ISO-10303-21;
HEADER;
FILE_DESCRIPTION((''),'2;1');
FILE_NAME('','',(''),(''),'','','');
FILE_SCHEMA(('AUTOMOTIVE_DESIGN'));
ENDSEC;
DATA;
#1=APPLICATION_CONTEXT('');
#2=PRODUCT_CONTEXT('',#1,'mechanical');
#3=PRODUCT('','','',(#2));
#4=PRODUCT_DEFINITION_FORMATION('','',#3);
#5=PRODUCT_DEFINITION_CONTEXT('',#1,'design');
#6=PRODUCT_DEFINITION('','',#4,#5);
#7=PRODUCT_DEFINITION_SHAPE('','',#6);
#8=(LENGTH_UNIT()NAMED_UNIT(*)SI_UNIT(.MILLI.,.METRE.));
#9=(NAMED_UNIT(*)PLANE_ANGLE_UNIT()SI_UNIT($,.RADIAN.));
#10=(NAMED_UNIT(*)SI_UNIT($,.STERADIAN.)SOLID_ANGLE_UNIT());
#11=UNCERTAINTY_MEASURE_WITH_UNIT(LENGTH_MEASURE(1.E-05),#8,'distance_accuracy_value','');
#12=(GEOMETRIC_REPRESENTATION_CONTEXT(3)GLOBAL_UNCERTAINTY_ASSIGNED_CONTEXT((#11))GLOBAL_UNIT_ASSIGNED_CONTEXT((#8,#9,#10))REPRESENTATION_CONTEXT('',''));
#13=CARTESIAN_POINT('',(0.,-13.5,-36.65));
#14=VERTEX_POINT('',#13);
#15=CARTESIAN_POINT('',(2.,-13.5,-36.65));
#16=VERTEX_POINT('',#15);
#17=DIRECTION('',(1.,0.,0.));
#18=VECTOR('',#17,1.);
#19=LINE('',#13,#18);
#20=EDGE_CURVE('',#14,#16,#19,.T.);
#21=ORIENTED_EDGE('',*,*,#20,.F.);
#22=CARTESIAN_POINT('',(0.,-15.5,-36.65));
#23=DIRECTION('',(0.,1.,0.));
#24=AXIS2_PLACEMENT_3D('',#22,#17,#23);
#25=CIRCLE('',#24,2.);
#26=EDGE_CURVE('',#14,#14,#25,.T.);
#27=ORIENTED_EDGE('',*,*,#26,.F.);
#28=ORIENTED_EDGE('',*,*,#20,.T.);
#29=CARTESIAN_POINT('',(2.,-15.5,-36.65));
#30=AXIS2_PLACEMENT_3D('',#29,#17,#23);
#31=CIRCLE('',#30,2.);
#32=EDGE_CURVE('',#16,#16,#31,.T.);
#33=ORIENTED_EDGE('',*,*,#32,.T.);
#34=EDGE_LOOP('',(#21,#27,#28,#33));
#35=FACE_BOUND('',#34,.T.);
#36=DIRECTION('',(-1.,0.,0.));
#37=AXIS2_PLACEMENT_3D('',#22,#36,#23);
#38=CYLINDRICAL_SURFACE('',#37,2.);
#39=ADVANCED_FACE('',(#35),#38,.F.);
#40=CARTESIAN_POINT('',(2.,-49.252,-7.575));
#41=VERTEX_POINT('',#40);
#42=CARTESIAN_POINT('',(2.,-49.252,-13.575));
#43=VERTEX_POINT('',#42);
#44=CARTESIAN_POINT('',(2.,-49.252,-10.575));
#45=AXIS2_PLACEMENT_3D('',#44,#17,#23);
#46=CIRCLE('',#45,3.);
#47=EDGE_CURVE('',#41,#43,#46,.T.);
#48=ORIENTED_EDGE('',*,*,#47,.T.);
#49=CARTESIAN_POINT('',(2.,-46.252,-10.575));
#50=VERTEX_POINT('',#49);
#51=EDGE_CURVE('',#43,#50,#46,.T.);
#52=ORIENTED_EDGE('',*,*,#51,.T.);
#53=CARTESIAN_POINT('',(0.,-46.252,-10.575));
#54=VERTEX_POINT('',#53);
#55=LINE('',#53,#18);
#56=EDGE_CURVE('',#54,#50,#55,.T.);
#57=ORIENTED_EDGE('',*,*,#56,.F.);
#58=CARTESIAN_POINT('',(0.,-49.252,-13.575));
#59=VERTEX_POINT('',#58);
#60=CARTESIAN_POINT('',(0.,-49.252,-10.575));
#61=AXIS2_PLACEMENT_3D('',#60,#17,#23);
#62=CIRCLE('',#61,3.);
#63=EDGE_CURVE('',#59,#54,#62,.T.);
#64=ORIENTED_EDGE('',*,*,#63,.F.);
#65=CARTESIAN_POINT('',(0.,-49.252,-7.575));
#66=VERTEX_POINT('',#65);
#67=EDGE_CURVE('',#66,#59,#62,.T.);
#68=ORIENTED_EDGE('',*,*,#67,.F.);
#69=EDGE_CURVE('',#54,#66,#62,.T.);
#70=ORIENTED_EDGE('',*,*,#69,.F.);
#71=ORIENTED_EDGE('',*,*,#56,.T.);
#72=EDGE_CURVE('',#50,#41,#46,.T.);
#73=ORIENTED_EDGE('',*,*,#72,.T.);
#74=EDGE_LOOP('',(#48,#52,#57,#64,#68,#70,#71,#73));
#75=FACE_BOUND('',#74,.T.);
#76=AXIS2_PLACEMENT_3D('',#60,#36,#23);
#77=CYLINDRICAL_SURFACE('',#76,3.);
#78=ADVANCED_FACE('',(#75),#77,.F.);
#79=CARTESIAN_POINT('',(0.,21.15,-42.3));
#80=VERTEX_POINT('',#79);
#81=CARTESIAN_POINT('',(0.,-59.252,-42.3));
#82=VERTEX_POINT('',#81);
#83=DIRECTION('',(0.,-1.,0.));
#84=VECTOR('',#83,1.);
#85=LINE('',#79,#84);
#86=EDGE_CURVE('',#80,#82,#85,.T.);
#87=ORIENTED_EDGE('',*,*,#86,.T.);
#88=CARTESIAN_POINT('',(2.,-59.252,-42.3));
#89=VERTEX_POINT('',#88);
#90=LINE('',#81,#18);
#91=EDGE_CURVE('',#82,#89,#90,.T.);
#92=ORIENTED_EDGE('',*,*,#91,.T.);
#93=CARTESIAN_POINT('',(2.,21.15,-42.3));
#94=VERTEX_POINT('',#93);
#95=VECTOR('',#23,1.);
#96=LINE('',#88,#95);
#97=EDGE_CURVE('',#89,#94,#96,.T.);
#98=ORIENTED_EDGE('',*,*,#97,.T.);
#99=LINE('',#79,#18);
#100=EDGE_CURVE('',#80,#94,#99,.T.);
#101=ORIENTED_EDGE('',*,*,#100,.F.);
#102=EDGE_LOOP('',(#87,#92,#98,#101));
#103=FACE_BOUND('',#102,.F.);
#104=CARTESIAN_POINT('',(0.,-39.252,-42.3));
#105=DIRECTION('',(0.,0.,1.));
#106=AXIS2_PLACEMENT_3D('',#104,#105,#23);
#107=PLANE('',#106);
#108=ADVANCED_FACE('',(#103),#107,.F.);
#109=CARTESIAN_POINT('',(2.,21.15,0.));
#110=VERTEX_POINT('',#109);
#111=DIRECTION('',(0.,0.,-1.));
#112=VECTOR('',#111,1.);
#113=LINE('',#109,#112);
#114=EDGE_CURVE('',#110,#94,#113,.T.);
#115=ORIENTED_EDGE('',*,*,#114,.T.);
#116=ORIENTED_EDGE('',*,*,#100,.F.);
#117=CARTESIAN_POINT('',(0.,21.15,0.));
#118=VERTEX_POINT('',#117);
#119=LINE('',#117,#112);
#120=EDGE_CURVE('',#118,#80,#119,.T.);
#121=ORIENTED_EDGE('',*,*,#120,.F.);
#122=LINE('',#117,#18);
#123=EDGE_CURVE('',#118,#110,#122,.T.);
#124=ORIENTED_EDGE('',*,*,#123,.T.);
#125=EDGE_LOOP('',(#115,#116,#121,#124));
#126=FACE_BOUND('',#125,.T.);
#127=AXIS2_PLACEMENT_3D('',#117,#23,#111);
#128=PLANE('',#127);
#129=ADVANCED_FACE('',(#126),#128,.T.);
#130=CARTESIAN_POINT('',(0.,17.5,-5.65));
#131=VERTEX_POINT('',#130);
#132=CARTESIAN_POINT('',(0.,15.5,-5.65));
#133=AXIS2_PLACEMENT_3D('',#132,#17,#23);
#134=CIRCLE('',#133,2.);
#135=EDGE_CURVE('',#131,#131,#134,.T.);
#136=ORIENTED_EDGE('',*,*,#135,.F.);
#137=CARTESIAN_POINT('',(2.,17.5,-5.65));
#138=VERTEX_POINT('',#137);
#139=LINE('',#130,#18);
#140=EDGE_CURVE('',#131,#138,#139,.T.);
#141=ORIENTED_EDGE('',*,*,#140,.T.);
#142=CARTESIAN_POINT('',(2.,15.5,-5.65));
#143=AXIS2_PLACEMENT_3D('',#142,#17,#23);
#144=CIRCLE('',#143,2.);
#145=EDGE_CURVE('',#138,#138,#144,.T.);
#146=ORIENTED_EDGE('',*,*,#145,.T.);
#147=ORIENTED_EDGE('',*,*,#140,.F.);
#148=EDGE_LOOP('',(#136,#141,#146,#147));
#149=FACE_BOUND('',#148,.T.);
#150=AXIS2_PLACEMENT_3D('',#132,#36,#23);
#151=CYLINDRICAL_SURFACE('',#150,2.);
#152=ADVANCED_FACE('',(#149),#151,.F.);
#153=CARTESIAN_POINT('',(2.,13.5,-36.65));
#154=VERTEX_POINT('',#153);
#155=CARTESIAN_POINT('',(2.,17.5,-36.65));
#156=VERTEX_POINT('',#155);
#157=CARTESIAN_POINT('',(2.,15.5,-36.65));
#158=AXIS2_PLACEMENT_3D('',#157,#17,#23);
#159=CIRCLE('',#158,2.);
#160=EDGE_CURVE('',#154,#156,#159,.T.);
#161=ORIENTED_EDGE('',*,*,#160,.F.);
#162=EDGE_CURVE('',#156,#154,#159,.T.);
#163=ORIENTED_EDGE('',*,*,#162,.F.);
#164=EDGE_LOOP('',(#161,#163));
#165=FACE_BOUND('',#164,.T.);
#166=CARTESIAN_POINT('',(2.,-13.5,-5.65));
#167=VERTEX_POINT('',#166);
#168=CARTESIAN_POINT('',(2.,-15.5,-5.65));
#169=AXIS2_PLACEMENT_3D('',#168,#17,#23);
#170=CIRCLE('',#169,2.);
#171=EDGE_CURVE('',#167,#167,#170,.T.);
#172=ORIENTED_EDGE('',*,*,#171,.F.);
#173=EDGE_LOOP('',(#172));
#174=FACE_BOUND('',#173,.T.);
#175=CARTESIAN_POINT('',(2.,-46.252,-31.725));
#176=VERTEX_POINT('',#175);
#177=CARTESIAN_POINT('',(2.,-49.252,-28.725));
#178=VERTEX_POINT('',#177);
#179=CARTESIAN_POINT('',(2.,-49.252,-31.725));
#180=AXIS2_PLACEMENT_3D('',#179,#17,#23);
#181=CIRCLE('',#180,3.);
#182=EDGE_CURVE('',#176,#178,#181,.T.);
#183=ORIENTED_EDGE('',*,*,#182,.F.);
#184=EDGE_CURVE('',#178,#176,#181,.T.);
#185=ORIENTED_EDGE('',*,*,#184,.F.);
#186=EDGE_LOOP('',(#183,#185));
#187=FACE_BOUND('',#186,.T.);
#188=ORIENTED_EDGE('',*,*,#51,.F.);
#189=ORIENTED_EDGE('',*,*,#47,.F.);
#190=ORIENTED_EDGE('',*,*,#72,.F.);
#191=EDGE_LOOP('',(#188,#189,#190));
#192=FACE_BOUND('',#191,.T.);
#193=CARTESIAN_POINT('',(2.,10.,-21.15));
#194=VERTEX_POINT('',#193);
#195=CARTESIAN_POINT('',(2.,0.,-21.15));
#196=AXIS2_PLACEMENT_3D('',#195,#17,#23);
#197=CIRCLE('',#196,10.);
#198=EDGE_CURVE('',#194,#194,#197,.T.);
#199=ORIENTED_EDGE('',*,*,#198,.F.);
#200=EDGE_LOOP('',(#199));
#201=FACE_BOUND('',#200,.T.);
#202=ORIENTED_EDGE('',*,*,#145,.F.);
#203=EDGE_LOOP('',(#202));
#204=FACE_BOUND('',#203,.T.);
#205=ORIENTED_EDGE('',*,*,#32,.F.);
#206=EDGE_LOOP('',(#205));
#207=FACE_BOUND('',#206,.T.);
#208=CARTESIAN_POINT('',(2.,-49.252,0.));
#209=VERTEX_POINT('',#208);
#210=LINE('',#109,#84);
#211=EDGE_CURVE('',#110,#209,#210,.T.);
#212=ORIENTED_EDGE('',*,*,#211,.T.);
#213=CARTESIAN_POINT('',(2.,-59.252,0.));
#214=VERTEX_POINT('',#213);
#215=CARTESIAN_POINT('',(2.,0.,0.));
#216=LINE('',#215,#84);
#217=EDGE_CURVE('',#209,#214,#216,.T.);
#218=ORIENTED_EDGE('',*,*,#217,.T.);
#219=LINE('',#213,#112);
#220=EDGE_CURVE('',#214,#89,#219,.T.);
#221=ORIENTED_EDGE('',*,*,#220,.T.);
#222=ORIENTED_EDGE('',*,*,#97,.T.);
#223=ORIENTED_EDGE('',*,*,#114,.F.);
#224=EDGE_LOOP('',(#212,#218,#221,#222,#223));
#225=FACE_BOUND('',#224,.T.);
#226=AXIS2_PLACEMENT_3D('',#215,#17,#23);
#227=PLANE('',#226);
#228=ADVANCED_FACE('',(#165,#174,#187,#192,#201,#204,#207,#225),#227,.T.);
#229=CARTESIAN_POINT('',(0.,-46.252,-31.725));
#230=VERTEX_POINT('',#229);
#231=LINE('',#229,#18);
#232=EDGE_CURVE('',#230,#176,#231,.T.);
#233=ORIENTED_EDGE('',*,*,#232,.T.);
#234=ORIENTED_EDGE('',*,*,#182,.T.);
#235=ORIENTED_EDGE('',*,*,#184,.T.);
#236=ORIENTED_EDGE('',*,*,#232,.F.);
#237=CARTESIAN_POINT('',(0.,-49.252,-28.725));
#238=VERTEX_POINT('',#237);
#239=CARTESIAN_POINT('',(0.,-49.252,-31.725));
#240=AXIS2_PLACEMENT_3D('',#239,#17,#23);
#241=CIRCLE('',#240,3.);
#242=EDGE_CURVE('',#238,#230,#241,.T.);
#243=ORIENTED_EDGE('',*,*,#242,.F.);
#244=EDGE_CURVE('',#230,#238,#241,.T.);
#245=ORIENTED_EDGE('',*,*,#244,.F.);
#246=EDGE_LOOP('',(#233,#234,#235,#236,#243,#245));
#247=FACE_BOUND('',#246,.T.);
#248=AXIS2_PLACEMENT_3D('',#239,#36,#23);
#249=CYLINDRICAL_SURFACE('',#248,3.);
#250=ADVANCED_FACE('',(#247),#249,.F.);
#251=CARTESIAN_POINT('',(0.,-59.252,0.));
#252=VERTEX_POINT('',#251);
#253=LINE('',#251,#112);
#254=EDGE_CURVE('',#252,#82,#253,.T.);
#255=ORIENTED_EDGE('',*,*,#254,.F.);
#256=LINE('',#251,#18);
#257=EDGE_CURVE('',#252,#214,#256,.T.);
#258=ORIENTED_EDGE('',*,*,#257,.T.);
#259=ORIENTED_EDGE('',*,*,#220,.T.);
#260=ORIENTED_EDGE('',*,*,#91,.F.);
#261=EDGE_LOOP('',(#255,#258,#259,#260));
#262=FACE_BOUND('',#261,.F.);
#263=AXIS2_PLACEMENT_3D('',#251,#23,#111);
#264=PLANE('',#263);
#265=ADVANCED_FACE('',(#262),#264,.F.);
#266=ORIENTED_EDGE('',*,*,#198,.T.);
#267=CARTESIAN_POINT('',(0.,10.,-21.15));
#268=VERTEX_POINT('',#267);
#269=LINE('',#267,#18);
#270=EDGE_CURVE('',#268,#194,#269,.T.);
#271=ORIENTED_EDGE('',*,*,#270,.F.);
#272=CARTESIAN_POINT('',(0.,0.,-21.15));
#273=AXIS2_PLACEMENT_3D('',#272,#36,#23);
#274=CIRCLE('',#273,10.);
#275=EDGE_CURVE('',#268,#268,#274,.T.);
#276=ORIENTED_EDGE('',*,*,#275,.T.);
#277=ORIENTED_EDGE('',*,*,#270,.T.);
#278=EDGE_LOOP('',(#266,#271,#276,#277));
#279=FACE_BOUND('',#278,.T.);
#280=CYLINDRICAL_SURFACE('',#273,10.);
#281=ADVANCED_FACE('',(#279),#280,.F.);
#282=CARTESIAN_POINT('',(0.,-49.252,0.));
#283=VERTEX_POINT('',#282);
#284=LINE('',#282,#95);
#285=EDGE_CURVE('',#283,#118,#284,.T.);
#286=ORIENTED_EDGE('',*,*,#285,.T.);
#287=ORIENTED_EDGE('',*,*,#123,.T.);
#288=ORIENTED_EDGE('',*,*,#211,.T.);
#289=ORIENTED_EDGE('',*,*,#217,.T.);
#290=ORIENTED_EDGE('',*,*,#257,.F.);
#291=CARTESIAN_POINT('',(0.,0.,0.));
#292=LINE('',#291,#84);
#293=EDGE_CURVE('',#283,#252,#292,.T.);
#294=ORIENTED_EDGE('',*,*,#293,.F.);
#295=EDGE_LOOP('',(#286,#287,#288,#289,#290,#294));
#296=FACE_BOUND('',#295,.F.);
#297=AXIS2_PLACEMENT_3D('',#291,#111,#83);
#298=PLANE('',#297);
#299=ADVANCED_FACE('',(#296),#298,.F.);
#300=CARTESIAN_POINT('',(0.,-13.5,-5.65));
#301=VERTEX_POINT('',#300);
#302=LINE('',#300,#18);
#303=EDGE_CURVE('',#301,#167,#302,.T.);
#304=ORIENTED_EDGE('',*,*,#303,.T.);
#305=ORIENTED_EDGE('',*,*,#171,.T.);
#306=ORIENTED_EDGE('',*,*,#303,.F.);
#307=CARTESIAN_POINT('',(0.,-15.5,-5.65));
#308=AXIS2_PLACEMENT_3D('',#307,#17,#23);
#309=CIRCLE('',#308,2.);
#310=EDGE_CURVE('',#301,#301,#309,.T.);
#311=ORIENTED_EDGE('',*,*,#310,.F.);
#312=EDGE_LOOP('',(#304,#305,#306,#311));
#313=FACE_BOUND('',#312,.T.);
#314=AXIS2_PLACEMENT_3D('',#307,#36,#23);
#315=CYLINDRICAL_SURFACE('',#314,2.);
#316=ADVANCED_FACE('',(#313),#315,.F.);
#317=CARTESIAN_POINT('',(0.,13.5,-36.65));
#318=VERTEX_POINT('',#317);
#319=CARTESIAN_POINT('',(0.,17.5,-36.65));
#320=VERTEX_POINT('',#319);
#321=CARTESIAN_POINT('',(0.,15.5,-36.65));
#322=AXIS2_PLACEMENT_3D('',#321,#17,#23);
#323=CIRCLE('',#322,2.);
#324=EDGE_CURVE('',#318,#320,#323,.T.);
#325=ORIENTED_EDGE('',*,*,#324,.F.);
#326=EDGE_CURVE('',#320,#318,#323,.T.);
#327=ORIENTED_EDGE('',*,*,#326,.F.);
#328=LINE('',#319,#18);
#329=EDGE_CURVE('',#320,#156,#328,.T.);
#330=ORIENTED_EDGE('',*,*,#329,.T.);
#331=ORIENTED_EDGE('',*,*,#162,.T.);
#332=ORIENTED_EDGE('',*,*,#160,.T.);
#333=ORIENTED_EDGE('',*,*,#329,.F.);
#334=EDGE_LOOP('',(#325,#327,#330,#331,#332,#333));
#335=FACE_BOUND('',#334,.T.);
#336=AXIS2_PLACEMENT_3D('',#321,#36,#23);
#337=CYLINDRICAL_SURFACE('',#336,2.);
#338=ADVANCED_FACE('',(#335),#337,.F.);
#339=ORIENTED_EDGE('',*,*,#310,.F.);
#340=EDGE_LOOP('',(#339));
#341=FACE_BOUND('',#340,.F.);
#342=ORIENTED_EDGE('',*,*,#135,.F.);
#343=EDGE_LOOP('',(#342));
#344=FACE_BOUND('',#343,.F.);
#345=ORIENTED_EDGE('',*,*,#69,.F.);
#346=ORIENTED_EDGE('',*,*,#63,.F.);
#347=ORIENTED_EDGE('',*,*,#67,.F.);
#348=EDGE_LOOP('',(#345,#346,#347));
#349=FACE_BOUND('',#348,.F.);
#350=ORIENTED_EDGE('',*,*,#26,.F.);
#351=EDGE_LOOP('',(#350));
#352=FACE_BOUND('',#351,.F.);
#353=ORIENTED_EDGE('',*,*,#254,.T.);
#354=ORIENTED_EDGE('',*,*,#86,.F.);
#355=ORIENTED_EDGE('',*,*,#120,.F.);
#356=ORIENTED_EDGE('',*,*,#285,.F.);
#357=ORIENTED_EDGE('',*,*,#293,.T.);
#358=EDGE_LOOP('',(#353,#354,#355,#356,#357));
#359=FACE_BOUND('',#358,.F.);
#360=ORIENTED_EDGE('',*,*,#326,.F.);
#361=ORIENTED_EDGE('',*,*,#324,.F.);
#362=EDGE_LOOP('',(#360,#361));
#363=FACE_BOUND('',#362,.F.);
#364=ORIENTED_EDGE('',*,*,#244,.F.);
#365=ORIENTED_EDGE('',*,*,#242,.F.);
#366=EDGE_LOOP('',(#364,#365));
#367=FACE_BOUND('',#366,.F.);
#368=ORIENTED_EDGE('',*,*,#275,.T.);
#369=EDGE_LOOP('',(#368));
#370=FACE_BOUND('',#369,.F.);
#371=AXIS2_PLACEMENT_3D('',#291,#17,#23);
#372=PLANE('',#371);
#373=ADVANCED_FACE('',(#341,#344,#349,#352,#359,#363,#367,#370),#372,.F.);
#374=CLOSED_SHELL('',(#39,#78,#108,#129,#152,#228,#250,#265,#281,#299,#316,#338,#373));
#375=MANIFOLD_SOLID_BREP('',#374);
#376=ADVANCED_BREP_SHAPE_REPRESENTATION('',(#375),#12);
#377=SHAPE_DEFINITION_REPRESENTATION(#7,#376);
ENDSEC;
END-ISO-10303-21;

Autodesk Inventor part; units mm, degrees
ref_plane "YZ Plane" through (0, 0, 0) normal (1, 0, 0) x (0, 1, 0)
ref_plane "XZ Plane" through (0, 0, 0) normal (0, 1, 0) x (-1, 0, 0)
ref_plane "XY Plane" through (0, 0, 0) normal (0, 0, 1) x (1, 0, 0)
sketch "Sketch1" plane through (0, 0, 0) normal (1, 0, 0) x (0, 1, 0)
  line L0 (0, 0) -> (-59.252, 0)
  line L1 (-59.252, 0) -> (-59.252, -42.3)
  line L2 (-59.252, -42.3) -> (0, -42.3)
  line L3 (0, -42.3) -> (0, 0)
  line L4 (-59.252, -42.3) -> (-39.252, -42.3)
  line L5 (-39.252, -42.3) -> (-39.252, 0)
  line L6 (-39.252, 0) -> (-59.252, 0)
  line L7 (-59.252, 0) -> (-59.252, -42.3)
  line L8 (-59.252, 0) -> (-49.252, 0)
  line L9 (-49.252, 0) -> (-49.252, -21.15)
  line L10 (-49.252, -21.15) -> (-49.252, -31.725)
  circle A0 centre (-49.252, -31.725) radius 3
  line L11 (-49.252, -21.15) -> (-49.252, -10.575)
  circle A1 centre (-49.252, -10.575) radius 3
  circle A2 centre (0, -21.15) radius 10
  line L12 (0, 0) -> (21.15, 0)
  line L13 (21.15, 0) -> (21.15, -42.3)
  line L14 (21.15, -42.3) -> (0, -42.3)
  line L15 (0, -42.3) -> (0, 0)
  line L16 (0, -21.15) -> (0, -36.65)
  line L17 (0, -36.65) -> (15.5, -36.65)
  circle A3 centre (15.5, -36.65) radius 2
  circle A4 centre (-15.5, -36.65) radius 2
  circle A5 centre (15.5, -5.65) radius 2
  circle A6 centre (-15.5, -5.65) radius 2
  dimension "d1" = 59.252
  dimension "d2" = 42.3
  dimension "d3" = 20
  dimension "d4" = 10
  dimension "d5" = 21.15
  dimension "d6" = 10.575
  dimension "d7" = 6
  dimension "d8" = 10.575
  dimension "d9" = 6
  dimension "d10" = 20
  dimension "d11" = 21.15
  dimension "d12" = 15.5
  dimension "d13" = 15.5
  dimension "d14" = 4
  dimension "d17" = 31
  dimension "d20" = 31
extrude "Extrusion1" add sketch "Sketch1" along normal blind 2 contours L3 A2 L2 L5 L0 | L12 L13 L14 L3 A2 | L5 L2 L1 L0
properties part number "az_rot_mot_holder.iam" material "Aluminum 6061"
